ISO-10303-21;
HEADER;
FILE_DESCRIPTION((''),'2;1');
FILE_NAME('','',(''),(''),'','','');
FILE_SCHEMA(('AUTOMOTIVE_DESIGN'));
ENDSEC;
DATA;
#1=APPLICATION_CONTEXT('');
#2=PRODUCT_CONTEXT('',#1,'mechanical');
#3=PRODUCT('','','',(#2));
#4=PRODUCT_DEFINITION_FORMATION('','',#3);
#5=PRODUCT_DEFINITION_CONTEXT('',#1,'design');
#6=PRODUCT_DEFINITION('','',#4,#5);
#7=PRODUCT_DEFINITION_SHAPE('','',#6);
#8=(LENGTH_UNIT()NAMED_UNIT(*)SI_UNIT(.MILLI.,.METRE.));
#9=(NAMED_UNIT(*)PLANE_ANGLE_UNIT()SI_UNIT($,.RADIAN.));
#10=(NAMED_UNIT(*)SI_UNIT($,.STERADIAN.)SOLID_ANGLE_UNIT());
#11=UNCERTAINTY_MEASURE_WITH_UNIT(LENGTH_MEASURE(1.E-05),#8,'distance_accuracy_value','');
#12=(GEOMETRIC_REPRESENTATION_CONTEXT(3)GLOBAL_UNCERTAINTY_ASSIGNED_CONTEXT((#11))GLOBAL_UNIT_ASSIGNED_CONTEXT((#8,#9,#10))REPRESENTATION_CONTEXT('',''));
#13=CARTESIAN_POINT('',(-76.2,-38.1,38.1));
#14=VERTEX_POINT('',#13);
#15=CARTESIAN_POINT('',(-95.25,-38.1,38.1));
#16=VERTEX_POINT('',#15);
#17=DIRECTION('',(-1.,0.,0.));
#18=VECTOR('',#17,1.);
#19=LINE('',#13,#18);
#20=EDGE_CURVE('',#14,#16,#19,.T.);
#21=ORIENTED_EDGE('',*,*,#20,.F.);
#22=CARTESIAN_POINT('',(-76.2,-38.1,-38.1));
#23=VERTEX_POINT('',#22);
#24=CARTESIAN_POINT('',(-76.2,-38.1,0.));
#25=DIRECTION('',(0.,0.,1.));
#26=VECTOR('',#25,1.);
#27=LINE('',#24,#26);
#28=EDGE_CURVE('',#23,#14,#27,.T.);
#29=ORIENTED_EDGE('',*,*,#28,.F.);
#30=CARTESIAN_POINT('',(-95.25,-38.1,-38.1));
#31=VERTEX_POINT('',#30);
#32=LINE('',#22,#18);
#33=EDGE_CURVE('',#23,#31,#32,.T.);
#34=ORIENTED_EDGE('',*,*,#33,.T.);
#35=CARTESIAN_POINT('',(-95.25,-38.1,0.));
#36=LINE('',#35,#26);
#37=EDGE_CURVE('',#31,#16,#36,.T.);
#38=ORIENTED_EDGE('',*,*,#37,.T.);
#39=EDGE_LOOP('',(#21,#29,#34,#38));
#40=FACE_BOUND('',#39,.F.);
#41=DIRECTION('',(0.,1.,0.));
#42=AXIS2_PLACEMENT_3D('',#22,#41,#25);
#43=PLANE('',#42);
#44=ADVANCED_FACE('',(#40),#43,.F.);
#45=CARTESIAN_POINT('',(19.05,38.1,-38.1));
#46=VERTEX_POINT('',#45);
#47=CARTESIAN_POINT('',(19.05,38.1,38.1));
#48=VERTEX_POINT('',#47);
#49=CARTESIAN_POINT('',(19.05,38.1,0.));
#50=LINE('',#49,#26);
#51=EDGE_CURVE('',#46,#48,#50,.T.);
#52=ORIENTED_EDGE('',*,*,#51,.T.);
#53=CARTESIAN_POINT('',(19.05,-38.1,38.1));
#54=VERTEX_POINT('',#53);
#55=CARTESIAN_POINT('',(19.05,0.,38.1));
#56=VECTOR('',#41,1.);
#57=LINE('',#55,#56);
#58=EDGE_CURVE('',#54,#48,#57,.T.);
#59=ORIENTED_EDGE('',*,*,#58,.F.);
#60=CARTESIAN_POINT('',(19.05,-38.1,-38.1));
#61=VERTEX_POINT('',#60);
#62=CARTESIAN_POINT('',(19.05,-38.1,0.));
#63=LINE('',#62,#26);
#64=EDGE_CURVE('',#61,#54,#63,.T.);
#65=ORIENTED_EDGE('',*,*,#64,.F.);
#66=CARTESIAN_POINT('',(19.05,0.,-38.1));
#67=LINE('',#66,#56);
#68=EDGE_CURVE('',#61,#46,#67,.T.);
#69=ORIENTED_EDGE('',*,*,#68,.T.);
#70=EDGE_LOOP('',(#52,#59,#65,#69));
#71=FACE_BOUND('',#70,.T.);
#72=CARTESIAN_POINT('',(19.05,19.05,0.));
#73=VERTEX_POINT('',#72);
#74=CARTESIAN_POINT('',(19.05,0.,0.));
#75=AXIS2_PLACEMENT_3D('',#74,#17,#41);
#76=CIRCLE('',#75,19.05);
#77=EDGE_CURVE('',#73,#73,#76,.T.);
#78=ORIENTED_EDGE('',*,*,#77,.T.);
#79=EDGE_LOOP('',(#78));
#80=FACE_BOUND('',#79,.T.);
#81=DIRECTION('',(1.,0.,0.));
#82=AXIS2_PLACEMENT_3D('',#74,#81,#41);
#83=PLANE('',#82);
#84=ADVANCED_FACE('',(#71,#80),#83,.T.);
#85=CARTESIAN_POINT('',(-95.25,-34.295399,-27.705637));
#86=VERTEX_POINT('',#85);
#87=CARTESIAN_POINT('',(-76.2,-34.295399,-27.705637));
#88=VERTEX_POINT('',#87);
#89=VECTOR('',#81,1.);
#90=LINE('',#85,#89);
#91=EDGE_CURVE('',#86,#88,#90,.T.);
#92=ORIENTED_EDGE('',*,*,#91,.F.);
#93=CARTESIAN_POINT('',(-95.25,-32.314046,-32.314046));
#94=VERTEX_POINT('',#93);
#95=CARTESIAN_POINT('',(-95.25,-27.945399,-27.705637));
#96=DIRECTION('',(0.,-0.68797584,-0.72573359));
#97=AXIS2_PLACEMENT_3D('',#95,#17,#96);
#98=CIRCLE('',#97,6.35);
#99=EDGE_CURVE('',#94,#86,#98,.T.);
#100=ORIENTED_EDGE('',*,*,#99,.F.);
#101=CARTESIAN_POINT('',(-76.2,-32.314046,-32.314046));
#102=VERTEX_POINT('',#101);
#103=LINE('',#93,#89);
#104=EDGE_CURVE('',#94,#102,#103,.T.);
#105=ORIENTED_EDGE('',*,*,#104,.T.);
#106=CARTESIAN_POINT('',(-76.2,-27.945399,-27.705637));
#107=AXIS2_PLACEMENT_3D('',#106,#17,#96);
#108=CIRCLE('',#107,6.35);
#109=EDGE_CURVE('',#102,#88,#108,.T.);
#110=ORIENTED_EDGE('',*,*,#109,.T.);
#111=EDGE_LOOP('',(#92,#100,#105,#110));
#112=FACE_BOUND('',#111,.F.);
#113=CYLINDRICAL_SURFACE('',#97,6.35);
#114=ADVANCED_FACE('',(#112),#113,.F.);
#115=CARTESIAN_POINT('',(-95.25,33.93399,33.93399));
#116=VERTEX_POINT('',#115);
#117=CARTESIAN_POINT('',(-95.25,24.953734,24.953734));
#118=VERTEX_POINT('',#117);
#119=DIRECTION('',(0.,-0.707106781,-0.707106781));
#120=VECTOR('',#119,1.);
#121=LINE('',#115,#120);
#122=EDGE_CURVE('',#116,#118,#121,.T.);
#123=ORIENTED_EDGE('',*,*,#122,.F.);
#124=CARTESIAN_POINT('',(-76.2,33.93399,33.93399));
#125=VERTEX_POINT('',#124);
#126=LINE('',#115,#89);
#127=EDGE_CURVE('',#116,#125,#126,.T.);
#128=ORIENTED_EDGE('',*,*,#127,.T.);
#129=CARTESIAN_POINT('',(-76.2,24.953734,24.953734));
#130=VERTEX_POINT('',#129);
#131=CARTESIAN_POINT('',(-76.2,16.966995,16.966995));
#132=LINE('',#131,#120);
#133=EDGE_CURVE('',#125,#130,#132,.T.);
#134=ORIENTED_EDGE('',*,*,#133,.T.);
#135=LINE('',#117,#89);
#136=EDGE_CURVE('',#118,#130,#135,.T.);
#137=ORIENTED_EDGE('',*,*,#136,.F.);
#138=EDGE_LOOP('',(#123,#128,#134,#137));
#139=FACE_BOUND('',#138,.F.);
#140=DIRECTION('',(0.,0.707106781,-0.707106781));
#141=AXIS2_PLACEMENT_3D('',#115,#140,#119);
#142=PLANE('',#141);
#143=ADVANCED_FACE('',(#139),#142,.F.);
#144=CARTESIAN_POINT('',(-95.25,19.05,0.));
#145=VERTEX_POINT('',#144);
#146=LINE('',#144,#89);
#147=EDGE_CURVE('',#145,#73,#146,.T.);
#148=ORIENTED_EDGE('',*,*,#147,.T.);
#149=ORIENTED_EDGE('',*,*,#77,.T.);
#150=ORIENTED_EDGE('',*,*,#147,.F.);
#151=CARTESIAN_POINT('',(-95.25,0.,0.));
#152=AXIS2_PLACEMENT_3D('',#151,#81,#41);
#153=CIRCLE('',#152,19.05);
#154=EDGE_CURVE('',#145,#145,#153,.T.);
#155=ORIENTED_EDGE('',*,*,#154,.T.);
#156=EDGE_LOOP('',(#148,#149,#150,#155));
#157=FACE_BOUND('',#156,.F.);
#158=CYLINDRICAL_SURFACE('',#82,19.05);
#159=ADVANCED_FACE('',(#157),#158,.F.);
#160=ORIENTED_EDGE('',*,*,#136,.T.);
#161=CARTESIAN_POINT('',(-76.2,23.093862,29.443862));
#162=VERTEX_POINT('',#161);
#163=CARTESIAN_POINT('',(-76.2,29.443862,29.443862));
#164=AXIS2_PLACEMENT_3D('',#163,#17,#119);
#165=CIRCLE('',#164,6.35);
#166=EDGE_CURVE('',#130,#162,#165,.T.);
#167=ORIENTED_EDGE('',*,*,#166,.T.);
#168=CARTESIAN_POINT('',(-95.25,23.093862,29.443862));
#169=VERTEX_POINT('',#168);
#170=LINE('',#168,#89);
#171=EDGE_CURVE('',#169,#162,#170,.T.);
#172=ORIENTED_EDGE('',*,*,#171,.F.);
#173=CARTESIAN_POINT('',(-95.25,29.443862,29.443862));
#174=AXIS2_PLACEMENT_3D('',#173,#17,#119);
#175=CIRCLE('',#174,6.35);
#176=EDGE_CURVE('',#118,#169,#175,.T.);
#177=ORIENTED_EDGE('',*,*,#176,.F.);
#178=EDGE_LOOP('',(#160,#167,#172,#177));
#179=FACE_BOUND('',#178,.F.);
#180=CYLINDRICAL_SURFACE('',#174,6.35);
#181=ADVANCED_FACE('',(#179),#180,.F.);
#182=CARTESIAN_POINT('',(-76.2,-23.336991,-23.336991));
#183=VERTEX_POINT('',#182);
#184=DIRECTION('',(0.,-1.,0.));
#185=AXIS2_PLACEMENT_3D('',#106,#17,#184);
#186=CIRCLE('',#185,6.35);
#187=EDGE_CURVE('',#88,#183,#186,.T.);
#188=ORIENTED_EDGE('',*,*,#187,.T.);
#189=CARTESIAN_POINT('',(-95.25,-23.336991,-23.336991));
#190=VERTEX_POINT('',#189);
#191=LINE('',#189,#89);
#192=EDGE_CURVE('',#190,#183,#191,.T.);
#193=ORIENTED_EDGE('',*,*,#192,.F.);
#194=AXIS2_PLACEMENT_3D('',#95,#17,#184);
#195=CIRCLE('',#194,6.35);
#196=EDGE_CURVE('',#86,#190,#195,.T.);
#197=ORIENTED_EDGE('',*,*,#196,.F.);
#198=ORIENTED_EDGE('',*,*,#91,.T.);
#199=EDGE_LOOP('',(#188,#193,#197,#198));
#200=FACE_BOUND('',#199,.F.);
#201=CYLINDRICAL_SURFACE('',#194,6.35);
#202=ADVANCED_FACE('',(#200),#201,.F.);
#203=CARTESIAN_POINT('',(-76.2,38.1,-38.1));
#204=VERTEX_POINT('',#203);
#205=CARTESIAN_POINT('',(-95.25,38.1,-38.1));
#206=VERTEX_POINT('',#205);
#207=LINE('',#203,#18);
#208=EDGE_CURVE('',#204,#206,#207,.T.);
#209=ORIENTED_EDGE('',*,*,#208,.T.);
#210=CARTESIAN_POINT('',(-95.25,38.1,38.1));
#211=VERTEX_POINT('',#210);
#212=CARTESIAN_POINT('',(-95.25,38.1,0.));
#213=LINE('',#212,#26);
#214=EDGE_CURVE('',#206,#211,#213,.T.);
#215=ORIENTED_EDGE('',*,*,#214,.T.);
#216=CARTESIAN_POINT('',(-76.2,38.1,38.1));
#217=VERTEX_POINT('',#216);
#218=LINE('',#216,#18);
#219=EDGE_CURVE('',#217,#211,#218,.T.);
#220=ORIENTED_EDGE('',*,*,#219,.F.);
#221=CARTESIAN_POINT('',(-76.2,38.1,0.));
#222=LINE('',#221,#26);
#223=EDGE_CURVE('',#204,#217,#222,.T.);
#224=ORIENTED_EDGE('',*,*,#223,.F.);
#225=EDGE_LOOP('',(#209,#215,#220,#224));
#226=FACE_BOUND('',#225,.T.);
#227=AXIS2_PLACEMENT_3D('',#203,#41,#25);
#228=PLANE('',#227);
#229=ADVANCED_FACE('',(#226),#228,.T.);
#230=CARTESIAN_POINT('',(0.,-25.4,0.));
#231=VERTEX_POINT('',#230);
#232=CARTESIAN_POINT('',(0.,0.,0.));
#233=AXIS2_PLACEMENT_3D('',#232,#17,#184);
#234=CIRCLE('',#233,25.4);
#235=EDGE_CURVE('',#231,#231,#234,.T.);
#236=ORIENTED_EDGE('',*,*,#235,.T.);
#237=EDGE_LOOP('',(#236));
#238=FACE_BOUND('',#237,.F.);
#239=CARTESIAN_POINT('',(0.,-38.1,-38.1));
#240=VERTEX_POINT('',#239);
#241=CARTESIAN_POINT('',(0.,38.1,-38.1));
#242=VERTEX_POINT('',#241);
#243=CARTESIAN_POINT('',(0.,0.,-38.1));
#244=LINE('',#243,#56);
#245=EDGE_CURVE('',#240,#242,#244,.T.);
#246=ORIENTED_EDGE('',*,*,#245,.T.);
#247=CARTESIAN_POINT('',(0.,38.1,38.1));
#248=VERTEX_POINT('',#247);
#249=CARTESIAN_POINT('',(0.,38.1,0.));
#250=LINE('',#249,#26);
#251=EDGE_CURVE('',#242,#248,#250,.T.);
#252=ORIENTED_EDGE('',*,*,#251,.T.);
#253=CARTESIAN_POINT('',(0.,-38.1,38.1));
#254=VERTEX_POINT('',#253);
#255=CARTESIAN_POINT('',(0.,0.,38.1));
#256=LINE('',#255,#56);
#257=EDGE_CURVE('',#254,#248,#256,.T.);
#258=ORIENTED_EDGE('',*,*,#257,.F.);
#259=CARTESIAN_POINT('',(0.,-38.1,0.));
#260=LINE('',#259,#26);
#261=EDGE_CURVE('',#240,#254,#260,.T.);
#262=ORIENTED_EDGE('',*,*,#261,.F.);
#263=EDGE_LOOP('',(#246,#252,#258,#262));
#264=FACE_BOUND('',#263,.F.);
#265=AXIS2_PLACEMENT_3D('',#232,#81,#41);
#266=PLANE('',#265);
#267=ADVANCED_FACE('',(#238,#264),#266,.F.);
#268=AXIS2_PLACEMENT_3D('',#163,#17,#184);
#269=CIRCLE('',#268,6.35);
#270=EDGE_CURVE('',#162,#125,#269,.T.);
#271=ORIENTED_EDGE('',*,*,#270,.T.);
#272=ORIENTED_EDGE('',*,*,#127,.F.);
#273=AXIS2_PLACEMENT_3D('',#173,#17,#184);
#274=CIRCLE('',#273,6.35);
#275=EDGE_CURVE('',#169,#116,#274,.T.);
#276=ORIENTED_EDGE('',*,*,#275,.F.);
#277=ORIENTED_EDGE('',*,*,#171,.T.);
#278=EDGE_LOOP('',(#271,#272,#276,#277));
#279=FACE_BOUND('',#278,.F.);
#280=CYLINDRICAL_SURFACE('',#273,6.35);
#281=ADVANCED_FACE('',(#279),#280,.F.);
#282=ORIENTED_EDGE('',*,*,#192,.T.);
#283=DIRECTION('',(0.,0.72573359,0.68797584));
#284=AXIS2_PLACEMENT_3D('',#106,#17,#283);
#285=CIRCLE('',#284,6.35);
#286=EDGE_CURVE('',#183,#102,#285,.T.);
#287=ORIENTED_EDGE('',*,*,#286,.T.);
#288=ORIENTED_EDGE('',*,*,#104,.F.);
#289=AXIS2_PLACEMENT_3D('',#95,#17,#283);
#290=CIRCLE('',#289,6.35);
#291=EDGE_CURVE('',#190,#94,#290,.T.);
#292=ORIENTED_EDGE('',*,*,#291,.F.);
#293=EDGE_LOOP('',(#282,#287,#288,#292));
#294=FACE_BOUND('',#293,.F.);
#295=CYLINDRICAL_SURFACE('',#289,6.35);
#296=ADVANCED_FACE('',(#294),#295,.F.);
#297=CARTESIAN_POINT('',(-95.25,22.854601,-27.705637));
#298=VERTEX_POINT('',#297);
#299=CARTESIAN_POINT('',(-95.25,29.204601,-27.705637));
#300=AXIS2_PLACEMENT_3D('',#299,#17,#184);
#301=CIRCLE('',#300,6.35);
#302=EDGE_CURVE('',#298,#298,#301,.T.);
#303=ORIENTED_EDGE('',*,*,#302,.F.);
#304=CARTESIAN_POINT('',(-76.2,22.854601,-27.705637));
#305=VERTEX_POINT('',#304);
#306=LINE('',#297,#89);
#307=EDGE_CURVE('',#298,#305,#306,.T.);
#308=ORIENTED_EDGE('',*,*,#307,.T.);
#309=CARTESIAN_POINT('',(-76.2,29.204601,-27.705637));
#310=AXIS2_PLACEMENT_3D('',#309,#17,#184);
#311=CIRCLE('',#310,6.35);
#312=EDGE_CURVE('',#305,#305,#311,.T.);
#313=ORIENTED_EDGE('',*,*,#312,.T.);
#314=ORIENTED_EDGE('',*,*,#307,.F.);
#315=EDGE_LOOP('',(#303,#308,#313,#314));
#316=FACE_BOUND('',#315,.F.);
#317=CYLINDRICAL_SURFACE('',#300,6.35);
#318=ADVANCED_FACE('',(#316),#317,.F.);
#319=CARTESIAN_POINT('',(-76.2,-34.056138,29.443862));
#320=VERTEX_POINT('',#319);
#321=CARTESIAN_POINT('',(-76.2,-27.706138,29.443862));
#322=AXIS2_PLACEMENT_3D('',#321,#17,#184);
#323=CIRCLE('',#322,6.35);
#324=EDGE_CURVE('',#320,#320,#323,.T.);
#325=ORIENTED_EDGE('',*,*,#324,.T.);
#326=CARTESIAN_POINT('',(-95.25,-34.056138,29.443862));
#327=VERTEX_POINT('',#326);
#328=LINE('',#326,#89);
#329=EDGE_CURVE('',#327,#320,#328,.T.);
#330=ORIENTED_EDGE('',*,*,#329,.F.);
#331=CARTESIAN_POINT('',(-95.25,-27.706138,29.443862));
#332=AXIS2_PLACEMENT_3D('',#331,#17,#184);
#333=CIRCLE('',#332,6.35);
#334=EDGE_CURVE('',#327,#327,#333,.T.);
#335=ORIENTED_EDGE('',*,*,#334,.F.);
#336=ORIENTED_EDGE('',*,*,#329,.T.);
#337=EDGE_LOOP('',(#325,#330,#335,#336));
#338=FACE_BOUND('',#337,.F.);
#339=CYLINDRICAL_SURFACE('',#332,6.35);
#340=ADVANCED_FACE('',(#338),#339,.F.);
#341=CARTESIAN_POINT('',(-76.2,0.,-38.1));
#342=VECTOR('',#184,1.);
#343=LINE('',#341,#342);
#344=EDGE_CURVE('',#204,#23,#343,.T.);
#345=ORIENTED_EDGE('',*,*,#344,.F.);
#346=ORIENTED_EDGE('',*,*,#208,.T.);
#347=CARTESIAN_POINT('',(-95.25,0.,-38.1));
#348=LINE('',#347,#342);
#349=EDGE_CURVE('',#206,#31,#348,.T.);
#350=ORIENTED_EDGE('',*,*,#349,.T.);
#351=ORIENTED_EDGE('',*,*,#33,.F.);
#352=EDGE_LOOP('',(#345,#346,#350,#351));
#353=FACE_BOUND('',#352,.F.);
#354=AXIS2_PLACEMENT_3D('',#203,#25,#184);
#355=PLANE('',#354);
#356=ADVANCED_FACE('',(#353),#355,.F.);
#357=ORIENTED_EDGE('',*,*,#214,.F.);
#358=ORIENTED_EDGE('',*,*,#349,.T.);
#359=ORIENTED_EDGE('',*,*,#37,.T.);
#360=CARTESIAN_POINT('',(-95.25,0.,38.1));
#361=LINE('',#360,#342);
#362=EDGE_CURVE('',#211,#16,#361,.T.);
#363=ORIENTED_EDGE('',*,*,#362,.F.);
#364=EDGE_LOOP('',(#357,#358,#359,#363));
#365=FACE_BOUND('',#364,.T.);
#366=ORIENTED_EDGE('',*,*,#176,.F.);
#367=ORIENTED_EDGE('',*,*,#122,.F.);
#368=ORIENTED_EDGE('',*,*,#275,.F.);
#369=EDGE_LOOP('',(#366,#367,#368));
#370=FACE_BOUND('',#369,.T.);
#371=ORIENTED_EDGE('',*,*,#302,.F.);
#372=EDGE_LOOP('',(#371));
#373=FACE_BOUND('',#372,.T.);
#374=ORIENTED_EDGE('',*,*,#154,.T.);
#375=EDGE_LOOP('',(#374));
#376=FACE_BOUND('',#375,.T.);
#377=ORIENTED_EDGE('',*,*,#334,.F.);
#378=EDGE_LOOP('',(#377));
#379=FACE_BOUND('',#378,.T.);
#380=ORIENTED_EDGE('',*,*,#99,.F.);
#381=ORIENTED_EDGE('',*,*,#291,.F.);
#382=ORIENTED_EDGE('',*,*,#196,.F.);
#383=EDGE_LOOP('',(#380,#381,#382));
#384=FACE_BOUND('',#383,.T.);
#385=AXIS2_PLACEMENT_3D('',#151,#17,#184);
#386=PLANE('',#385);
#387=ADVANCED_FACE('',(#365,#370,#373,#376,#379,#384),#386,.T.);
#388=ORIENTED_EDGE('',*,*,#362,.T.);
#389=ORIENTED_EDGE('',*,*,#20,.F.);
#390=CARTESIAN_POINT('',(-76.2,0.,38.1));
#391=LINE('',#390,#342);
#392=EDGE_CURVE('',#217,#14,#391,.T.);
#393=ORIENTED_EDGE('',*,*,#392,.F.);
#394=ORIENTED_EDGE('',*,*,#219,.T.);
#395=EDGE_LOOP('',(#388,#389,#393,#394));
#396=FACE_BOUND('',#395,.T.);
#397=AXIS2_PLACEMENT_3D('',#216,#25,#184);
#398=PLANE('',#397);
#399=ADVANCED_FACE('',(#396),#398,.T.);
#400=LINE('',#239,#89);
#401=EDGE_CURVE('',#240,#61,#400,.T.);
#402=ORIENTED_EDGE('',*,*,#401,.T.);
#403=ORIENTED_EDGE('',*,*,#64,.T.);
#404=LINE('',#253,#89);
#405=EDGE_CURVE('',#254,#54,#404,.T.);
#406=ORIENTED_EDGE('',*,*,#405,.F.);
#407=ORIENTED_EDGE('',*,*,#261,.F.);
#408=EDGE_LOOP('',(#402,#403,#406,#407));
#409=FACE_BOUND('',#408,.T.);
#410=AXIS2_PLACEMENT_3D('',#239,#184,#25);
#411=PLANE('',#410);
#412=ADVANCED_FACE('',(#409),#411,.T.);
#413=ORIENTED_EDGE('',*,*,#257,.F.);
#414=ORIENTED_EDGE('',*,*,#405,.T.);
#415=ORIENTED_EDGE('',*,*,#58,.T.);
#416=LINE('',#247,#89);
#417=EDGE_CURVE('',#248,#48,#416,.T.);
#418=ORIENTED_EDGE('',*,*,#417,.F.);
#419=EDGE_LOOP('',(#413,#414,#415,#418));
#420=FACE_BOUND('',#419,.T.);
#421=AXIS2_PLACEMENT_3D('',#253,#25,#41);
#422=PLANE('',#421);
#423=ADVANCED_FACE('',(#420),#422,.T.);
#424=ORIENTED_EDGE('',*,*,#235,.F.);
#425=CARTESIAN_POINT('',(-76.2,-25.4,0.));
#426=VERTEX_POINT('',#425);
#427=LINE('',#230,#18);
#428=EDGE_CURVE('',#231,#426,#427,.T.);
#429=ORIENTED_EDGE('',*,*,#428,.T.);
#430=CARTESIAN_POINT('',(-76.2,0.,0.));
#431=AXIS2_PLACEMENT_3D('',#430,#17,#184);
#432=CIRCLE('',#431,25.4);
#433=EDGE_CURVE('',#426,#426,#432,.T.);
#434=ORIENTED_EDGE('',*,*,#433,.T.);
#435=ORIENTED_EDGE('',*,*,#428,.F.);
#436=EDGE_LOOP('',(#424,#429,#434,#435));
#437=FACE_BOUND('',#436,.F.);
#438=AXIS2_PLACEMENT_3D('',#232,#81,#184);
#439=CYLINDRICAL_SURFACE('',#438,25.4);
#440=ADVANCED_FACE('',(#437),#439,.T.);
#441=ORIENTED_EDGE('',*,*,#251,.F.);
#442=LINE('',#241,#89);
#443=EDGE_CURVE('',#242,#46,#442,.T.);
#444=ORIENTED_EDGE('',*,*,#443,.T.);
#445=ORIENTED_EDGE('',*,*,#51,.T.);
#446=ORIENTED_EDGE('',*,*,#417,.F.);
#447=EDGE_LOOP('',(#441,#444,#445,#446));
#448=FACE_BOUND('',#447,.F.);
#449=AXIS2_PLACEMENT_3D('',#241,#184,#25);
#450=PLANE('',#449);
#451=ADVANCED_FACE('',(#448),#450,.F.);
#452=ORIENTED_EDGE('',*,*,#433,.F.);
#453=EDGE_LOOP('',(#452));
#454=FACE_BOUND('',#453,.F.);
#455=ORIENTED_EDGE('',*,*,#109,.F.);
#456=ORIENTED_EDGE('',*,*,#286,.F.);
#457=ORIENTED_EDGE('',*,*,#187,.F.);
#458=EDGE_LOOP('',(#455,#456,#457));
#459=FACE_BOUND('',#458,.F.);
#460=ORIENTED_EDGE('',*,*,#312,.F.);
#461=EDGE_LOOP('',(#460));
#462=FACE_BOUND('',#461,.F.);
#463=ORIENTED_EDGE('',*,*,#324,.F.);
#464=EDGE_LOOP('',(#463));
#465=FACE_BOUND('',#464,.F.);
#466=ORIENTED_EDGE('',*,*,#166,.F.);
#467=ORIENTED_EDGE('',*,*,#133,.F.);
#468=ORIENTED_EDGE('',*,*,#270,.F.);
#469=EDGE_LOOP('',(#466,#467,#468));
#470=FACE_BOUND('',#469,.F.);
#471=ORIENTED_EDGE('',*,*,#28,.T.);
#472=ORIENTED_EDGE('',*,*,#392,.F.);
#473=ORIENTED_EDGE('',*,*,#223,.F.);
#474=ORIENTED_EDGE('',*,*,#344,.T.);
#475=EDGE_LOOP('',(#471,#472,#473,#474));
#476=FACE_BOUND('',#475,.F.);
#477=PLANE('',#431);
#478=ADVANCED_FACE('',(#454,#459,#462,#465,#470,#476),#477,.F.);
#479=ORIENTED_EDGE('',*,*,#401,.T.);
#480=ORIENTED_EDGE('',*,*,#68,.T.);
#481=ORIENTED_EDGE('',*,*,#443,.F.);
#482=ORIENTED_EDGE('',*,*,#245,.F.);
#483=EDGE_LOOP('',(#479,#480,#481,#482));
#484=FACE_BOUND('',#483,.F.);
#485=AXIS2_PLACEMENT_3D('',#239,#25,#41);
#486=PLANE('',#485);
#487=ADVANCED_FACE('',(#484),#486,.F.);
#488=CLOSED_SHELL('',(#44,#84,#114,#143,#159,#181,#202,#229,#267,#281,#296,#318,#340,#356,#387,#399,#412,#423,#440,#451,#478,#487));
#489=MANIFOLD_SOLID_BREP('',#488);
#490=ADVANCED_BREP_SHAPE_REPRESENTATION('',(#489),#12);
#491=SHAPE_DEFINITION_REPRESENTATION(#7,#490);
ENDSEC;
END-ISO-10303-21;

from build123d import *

# Parameters (mm, degrees)
F0_W      = 76.2
F0_H      = 76.2
F1_DEPTH  = 19.05
F2_R      = 25.4
F3_DEPTH  = 76.2
F4_W      = 76.2
F4_H      = 76.2
F4_R      = 25.4
F5_DEPTH  = 19.05
F6_R      = 25.4
F7_DEPTH  = 19.05
F9_R      = 19.05
F10_DEPTH = 114.3
F8_R      = 19.05
F11_DEPTH = 608.076
F13_R     = 6.35
F14_DEPTH = 50.546


with BuildPart() as f1:
    # F0 (on Right) → F1 (new body)
    with BuildSketch(Plane.YZ):
        Rectangle(F0_W, F0_H)
    extrude(amount=F1_DEPTH)

    # F2 (on face) → F3 (join)
    with BuildSketch(Plane(origin=(0, 0, 0), x_dir=(0, -1, 0), z_dir=(-1, 0, 0))):
        Circle(F2_R)
    extrude(amount=F3_DEPTH)


with BuildPart() as f5:
    # F4 (on face) → F5 (new body)
    with BuildSketch(Plane(origin=(-76.2, 0, 0), x_dir=(0, -1, 0), z_dir=(-1, 0, 0))):
        Rectangle(F4_W, F4_H)
        Circle(F4_R, mode=Mode.SUBTRACT)
    extrude(amount=F5_DEPTH)


with BuildPart() as f7:
    # F6 (on face) → F7 (new body)
    with BuildSketch(Plane(origin=(-76.2, 0, 0), x_dir=(0, -1, 0), z_dir=(-1, 0, 0))):
        Circle(F6_R)
    extrude(amount=F7_DEPTH)


with BuildPart() as f10_tool:
    # F9 (on face) → F10 (new body)
    with BuildSketch(Plane.YZ.offset(19.05)):
        Circle(F9_R)
    extrude(amount=-F10_DEPTH)


with BuildPart() as f1_1:
    add(f1.part)

    # F10: cut by f10_tool
    add(f10_tool.part, mode=Mode.SUBTRACT)

    # F8 (on face) → F11 (cut)
    with BuildSketch(Plane(origin=(-95.25, 0, 0), x_dir=(0, -1, 0), z_dir=(-1, 0, 0))):
        Circle(F8_R)
    extrude(amount=-F11_DEPTH, mode=Mode.SUBTRACT)


with BuildPart() as f7_1:
    add(f7.part)

    # F10: cut by f10_tool
    add(f10_tool.part, mode=Mode.SUBTRACT)


with BuildPart() as f5_1:
    add(f5.part)

    # F12: union F7, F1
    add(f7_1.part)
    add(f1_1.part)

    # F13 (on face) → F14 (cut)
    with BuildSketch(Plane(origin=(-95.25, 0, 0), x_dir=(0, -1, 0), z_dir=(-1, 0, 0))):
        with Locations((-29.2046008315, -27.7056374614)):
            Circle(F13_R)
        with Locations((27.7061383014, 29.4438616986)):
            Circle(F13_R)
        with BuildLine():
            ThreePointArc((-23.0938616986, 29.4438616986), (-27.0138219031, 35.3104967301), (-33.9339897591, 33.9339897591))
            Line((-33.9339897591, 33.9339897591), (-24.9537336381, 24.9537336381))
            ThreePointArc((-24.9537336381, 24.9537336381), (-23.5772266672, 27.0138219031), (-23.0938616986, 29.4438616986))
        make_face()
        with BuildLine():
            ThreePointArc((23.3369908748, -23.3369908748), (23.455271108, -32.1957655219), (32.3140457551, -32.3140457551))
            Line((32.3140457551, -32.3140457551), (23.3369908748, -23.3369908748))
        make_face()
        with BuildLine():
            Line((23.3369908748, -23.3369908748), (32.3140457551, -32.3140457551))
            ThreePointArc((32.3140457551, -32.3140457551), (33.7790689323, -30.213783607), (34.2953991685, -27.7056374614))
            ThreePointArc((34.2953991685, -27.7056374614), (30.2968994699, -21.8070828645), (23.3369908748, -23.3369908748))
        make_face()
    extrude(amount=-F14_DEPTH, mode=Mode.SUBTRACT)


solid = f5_1.part
